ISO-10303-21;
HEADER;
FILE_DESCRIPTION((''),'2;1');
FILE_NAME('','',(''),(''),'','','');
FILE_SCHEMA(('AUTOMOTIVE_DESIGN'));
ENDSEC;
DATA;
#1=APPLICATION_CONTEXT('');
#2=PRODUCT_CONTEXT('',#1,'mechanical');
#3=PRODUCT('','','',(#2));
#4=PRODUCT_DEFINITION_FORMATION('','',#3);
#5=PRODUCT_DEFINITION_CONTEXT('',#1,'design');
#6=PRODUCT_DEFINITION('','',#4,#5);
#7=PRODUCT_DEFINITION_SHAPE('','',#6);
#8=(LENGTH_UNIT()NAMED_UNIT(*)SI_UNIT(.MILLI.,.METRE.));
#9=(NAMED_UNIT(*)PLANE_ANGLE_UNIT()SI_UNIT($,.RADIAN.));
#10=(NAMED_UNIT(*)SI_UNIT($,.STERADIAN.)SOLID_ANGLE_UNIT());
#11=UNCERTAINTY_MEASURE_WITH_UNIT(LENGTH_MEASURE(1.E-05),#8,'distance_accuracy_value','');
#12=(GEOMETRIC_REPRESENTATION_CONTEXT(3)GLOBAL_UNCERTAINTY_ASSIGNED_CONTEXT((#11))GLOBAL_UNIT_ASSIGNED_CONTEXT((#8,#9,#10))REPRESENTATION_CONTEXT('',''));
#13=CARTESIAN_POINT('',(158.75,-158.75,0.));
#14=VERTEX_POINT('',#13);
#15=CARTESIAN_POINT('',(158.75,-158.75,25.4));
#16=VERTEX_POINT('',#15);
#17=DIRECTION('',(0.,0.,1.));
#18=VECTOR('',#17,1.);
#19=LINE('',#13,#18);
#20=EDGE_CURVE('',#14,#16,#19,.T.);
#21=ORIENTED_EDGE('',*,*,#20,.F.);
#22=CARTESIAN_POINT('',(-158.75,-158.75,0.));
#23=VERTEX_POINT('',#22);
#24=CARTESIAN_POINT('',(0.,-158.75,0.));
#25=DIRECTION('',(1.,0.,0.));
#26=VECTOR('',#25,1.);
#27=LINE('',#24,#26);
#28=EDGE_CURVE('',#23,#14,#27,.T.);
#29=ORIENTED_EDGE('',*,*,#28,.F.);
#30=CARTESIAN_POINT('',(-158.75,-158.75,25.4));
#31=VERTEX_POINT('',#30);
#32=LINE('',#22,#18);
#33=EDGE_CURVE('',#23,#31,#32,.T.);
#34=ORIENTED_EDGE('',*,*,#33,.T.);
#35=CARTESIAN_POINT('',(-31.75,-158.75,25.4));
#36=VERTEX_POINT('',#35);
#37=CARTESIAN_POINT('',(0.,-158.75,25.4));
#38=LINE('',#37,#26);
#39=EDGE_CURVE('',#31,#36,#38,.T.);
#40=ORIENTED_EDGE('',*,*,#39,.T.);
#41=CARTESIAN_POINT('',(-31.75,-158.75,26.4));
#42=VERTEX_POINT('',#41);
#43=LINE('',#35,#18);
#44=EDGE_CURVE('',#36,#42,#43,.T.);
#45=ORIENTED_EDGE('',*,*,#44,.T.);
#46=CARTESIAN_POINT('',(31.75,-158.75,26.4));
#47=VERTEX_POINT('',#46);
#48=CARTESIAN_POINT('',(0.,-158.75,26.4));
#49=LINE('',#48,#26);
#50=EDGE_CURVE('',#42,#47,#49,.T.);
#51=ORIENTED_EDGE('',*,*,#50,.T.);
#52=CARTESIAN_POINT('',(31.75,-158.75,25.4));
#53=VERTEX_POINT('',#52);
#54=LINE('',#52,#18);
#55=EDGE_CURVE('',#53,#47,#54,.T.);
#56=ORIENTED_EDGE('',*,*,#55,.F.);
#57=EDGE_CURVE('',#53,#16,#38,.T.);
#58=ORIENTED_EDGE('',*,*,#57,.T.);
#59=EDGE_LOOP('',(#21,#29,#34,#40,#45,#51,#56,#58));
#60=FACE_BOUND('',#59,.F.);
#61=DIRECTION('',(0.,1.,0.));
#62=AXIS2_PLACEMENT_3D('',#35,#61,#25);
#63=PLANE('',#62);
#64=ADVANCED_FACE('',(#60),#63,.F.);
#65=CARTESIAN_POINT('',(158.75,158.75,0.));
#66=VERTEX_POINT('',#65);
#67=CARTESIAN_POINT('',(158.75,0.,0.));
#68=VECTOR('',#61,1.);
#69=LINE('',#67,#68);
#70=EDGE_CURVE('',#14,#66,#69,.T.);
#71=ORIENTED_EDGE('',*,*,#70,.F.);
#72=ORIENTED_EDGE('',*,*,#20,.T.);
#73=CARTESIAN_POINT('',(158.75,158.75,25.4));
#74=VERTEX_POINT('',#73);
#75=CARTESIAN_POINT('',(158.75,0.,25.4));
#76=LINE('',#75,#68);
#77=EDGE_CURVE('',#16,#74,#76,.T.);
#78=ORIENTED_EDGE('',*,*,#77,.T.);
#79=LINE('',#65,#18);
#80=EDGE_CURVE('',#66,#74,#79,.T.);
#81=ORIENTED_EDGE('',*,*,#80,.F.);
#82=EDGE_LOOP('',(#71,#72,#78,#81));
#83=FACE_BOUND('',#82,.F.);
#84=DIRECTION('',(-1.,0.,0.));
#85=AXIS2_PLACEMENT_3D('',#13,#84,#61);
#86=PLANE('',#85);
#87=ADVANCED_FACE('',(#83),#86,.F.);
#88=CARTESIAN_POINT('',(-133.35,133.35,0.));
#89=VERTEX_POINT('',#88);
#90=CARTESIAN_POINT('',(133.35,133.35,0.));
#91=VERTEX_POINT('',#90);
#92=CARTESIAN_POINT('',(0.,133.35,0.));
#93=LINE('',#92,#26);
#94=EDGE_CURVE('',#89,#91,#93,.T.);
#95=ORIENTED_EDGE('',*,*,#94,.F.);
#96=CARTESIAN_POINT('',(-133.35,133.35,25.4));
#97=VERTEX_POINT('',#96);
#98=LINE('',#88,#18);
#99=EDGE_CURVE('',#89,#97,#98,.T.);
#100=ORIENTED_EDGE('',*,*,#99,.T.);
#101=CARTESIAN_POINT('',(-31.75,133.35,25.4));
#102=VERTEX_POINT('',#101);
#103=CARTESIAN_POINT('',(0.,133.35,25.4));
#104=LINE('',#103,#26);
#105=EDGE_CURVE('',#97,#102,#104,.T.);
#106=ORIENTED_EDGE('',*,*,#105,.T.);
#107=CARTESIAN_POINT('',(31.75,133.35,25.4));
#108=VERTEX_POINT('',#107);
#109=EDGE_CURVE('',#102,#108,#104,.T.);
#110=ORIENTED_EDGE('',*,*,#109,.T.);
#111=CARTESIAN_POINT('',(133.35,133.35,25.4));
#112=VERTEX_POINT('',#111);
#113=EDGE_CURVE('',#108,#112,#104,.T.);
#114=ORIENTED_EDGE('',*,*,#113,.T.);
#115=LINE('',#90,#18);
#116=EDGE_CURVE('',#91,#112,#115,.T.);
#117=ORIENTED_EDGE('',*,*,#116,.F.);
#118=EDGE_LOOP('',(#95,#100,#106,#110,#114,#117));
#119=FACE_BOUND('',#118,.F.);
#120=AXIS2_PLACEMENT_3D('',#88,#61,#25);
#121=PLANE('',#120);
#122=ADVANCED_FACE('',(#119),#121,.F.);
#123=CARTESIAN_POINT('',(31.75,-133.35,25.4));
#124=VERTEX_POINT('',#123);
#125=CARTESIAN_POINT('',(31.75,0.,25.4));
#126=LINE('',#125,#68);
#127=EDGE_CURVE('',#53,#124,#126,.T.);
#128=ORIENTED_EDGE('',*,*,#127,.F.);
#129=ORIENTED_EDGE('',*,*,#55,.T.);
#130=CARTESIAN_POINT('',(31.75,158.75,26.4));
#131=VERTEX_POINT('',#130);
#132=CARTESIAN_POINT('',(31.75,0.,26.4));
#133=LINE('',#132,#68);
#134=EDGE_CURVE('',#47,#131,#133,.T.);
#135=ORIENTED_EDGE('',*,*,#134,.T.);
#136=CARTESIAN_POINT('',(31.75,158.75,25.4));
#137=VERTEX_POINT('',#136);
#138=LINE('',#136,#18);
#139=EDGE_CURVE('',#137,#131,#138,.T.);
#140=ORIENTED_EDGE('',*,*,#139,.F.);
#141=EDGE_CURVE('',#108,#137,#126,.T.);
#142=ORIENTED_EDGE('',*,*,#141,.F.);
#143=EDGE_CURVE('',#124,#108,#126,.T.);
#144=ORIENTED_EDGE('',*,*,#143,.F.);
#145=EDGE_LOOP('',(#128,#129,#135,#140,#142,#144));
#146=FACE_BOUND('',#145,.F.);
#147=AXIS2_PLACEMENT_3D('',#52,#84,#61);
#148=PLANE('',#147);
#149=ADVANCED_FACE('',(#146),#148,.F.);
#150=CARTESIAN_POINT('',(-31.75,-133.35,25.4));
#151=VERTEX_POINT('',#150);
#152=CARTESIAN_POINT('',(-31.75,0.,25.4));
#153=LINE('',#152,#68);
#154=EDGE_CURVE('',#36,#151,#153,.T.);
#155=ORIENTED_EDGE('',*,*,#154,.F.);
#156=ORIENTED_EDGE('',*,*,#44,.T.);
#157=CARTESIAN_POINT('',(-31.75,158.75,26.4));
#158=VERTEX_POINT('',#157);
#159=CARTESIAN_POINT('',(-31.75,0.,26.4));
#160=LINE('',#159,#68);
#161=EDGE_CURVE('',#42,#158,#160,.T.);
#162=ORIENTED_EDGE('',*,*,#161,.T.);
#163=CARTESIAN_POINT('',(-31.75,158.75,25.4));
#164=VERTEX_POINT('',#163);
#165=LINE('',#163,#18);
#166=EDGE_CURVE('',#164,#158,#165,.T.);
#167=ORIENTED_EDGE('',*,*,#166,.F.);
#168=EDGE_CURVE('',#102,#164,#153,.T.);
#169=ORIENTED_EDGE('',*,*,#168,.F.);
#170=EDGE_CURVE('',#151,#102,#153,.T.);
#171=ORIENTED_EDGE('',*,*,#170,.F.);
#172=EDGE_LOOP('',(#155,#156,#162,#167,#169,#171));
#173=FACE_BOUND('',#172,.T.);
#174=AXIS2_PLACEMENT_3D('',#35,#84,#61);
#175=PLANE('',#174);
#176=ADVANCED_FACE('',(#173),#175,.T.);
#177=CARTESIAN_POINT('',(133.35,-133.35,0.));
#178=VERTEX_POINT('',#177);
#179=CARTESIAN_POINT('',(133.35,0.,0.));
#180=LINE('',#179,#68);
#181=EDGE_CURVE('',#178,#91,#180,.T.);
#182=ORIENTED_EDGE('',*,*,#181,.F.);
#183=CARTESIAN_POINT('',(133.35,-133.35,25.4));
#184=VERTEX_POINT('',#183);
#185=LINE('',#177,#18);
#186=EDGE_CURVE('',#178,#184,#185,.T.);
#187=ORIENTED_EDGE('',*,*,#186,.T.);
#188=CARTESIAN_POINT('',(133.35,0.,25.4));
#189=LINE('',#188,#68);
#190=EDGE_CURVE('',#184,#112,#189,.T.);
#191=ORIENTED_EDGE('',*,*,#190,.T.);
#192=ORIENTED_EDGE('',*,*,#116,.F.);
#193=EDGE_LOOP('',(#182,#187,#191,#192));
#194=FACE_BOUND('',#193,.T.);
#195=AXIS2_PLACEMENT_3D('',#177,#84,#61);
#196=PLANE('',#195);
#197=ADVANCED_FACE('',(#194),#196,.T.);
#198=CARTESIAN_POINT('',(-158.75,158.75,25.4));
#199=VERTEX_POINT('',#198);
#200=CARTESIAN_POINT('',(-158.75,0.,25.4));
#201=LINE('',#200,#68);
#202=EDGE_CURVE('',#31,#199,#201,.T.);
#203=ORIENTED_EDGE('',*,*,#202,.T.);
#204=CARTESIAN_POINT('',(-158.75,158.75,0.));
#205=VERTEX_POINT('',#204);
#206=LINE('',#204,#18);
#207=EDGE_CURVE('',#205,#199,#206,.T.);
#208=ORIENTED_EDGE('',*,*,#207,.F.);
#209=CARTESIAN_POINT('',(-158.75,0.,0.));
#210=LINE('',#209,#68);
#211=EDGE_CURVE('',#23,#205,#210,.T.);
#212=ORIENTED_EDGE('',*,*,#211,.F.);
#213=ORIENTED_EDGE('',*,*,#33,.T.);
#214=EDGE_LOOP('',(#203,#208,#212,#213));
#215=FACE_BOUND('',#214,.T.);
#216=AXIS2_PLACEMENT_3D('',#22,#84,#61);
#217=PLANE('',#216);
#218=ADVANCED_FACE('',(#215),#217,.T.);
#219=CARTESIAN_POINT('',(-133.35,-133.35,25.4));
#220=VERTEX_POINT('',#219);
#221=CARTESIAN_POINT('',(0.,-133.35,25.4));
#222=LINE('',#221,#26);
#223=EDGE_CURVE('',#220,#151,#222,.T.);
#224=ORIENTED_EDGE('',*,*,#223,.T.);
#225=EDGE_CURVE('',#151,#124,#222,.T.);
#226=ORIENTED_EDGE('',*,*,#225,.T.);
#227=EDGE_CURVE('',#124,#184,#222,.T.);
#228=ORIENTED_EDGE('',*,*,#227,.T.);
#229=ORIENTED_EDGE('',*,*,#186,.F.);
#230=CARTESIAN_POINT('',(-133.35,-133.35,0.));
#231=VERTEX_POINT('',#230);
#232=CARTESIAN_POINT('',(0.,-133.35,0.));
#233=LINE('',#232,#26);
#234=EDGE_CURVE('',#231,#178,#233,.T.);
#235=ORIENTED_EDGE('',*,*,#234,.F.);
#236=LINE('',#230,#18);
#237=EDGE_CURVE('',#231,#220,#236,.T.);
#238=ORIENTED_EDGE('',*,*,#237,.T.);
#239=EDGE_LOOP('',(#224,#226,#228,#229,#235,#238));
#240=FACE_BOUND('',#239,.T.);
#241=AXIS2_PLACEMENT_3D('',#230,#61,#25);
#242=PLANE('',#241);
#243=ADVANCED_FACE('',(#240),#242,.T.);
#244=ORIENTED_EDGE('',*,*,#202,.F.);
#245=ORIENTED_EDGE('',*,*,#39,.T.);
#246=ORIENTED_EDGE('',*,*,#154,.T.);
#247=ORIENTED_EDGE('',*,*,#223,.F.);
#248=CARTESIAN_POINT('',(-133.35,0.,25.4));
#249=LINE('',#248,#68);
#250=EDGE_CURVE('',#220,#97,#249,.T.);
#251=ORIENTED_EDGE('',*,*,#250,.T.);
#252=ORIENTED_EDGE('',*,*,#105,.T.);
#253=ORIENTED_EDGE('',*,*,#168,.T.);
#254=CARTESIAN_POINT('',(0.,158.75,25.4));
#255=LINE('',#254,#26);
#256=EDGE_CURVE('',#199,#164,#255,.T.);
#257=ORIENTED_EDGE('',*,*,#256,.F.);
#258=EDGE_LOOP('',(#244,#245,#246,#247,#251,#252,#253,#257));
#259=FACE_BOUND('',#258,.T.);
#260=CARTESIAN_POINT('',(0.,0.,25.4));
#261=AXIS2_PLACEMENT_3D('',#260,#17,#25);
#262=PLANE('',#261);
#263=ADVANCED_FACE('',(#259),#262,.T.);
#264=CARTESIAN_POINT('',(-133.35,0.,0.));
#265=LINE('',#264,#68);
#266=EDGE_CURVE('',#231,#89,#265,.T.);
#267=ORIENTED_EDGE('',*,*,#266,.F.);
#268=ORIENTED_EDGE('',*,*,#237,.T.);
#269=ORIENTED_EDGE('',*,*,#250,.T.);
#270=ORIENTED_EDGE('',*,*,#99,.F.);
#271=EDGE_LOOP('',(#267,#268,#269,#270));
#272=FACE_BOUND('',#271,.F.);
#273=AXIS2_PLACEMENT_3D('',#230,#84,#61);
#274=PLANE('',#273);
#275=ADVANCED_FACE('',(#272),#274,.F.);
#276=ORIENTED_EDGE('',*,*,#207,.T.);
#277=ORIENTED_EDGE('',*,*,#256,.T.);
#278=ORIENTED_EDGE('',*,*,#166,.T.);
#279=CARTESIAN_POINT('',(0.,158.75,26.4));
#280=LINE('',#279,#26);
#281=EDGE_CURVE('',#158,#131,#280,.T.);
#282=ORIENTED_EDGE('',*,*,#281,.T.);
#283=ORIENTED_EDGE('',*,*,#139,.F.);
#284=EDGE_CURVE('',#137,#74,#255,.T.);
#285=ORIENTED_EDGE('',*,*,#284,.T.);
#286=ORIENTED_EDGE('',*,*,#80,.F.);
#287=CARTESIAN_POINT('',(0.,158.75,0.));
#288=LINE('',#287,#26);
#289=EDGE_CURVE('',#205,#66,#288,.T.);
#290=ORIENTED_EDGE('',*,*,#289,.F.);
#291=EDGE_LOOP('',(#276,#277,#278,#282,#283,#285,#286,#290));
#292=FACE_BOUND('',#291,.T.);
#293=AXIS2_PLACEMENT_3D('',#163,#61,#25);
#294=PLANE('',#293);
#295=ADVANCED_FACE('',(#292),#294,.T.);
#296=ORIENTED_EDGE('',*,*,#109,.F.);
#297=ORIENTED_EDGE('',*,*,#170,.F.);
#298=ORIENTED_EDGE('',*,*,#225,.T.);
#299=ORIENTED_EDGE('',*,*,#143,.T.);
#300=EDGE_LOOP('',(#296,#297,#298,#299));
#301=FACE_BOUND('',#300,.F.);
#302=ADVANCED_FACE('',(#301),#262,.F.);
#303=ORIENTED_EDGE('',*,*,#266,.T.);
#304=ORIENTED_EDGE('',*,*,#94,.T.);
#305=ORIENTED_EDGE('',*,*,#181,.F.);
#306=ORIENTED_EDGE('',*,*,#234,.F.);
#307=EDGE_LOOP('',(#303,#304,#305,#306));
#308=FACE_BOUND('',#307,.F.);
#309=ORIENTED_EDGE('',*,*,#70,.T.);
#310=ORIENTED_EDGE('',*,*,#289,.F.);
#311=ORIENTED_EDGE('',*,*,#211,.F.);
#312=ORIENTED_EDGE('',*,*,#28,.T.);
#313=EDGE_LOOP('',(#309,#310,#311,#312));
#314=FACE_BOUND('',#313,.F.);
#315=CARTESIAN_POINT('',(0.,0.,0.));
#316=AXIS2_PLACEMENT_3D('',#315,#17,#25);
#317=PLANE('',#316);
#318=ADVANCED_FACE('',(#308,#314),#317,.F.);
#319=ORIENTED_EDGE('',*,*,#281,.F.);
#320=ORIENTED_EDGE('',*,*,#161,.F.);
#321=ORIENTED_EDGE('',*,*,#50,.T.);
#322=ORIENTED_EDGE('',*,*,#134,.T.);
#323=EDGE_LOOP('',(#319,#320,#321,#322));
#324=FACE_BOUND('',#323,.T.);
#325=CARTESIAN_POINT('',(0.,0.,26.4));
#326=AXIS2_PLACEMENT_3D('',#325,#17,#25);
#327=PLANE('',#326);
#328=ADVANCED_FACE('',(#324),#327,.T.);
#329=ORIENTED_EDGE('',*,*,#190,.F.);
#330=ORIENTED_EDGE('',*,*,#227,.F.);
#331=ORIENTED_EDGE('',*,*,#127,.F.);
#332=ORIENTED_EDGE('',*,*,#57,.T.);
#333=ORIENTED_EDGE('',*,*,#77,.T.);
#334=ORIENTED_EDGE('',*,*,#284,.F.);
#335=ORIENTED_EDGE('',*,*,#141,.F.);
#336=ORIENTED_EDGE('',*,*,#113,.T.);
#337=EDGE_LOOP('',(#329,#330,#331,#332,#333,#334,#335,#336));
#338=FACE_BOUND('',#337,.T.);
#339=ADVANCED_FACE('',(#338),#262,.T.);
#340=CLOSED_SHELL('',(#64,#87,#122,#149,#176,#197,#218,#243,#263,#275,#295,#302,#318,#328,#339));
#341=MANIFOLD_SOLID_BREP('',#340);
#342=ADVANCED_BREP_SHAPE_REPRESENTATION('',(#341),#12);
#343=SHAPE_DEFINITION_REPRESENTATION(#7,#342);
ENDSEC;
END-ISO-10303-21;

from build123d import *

# Parameters (mm, degrees)
F0_W     = 317.5
F0_H     = 317.5
F0_W_2   = 266.7
F0_H_2   = 266.7
F1_DEPTH = 25.4
F2_W     = 63.5
F2_H     = 317.5
F3_DEPTH = 1


with BuildPart() as f1:
    # F0 (on Top) → F1 (new body)
    with BuildSketch(Plane.XY):
        Rectangle(F0_W, F0_H)
        Rectangle(F0_W_2, F0_H_2, mode=Mode.SUBTRACT)
    extrude(amount=F1_DEPTH)

    # F2 (on face) → F3 (join)
    with BuildSketch(Plane.XY.offset(25.4)):
        Rectangle(F2_W, F2_H)
    extrude(amount=F3_DEPTH)


solid = f1.part
